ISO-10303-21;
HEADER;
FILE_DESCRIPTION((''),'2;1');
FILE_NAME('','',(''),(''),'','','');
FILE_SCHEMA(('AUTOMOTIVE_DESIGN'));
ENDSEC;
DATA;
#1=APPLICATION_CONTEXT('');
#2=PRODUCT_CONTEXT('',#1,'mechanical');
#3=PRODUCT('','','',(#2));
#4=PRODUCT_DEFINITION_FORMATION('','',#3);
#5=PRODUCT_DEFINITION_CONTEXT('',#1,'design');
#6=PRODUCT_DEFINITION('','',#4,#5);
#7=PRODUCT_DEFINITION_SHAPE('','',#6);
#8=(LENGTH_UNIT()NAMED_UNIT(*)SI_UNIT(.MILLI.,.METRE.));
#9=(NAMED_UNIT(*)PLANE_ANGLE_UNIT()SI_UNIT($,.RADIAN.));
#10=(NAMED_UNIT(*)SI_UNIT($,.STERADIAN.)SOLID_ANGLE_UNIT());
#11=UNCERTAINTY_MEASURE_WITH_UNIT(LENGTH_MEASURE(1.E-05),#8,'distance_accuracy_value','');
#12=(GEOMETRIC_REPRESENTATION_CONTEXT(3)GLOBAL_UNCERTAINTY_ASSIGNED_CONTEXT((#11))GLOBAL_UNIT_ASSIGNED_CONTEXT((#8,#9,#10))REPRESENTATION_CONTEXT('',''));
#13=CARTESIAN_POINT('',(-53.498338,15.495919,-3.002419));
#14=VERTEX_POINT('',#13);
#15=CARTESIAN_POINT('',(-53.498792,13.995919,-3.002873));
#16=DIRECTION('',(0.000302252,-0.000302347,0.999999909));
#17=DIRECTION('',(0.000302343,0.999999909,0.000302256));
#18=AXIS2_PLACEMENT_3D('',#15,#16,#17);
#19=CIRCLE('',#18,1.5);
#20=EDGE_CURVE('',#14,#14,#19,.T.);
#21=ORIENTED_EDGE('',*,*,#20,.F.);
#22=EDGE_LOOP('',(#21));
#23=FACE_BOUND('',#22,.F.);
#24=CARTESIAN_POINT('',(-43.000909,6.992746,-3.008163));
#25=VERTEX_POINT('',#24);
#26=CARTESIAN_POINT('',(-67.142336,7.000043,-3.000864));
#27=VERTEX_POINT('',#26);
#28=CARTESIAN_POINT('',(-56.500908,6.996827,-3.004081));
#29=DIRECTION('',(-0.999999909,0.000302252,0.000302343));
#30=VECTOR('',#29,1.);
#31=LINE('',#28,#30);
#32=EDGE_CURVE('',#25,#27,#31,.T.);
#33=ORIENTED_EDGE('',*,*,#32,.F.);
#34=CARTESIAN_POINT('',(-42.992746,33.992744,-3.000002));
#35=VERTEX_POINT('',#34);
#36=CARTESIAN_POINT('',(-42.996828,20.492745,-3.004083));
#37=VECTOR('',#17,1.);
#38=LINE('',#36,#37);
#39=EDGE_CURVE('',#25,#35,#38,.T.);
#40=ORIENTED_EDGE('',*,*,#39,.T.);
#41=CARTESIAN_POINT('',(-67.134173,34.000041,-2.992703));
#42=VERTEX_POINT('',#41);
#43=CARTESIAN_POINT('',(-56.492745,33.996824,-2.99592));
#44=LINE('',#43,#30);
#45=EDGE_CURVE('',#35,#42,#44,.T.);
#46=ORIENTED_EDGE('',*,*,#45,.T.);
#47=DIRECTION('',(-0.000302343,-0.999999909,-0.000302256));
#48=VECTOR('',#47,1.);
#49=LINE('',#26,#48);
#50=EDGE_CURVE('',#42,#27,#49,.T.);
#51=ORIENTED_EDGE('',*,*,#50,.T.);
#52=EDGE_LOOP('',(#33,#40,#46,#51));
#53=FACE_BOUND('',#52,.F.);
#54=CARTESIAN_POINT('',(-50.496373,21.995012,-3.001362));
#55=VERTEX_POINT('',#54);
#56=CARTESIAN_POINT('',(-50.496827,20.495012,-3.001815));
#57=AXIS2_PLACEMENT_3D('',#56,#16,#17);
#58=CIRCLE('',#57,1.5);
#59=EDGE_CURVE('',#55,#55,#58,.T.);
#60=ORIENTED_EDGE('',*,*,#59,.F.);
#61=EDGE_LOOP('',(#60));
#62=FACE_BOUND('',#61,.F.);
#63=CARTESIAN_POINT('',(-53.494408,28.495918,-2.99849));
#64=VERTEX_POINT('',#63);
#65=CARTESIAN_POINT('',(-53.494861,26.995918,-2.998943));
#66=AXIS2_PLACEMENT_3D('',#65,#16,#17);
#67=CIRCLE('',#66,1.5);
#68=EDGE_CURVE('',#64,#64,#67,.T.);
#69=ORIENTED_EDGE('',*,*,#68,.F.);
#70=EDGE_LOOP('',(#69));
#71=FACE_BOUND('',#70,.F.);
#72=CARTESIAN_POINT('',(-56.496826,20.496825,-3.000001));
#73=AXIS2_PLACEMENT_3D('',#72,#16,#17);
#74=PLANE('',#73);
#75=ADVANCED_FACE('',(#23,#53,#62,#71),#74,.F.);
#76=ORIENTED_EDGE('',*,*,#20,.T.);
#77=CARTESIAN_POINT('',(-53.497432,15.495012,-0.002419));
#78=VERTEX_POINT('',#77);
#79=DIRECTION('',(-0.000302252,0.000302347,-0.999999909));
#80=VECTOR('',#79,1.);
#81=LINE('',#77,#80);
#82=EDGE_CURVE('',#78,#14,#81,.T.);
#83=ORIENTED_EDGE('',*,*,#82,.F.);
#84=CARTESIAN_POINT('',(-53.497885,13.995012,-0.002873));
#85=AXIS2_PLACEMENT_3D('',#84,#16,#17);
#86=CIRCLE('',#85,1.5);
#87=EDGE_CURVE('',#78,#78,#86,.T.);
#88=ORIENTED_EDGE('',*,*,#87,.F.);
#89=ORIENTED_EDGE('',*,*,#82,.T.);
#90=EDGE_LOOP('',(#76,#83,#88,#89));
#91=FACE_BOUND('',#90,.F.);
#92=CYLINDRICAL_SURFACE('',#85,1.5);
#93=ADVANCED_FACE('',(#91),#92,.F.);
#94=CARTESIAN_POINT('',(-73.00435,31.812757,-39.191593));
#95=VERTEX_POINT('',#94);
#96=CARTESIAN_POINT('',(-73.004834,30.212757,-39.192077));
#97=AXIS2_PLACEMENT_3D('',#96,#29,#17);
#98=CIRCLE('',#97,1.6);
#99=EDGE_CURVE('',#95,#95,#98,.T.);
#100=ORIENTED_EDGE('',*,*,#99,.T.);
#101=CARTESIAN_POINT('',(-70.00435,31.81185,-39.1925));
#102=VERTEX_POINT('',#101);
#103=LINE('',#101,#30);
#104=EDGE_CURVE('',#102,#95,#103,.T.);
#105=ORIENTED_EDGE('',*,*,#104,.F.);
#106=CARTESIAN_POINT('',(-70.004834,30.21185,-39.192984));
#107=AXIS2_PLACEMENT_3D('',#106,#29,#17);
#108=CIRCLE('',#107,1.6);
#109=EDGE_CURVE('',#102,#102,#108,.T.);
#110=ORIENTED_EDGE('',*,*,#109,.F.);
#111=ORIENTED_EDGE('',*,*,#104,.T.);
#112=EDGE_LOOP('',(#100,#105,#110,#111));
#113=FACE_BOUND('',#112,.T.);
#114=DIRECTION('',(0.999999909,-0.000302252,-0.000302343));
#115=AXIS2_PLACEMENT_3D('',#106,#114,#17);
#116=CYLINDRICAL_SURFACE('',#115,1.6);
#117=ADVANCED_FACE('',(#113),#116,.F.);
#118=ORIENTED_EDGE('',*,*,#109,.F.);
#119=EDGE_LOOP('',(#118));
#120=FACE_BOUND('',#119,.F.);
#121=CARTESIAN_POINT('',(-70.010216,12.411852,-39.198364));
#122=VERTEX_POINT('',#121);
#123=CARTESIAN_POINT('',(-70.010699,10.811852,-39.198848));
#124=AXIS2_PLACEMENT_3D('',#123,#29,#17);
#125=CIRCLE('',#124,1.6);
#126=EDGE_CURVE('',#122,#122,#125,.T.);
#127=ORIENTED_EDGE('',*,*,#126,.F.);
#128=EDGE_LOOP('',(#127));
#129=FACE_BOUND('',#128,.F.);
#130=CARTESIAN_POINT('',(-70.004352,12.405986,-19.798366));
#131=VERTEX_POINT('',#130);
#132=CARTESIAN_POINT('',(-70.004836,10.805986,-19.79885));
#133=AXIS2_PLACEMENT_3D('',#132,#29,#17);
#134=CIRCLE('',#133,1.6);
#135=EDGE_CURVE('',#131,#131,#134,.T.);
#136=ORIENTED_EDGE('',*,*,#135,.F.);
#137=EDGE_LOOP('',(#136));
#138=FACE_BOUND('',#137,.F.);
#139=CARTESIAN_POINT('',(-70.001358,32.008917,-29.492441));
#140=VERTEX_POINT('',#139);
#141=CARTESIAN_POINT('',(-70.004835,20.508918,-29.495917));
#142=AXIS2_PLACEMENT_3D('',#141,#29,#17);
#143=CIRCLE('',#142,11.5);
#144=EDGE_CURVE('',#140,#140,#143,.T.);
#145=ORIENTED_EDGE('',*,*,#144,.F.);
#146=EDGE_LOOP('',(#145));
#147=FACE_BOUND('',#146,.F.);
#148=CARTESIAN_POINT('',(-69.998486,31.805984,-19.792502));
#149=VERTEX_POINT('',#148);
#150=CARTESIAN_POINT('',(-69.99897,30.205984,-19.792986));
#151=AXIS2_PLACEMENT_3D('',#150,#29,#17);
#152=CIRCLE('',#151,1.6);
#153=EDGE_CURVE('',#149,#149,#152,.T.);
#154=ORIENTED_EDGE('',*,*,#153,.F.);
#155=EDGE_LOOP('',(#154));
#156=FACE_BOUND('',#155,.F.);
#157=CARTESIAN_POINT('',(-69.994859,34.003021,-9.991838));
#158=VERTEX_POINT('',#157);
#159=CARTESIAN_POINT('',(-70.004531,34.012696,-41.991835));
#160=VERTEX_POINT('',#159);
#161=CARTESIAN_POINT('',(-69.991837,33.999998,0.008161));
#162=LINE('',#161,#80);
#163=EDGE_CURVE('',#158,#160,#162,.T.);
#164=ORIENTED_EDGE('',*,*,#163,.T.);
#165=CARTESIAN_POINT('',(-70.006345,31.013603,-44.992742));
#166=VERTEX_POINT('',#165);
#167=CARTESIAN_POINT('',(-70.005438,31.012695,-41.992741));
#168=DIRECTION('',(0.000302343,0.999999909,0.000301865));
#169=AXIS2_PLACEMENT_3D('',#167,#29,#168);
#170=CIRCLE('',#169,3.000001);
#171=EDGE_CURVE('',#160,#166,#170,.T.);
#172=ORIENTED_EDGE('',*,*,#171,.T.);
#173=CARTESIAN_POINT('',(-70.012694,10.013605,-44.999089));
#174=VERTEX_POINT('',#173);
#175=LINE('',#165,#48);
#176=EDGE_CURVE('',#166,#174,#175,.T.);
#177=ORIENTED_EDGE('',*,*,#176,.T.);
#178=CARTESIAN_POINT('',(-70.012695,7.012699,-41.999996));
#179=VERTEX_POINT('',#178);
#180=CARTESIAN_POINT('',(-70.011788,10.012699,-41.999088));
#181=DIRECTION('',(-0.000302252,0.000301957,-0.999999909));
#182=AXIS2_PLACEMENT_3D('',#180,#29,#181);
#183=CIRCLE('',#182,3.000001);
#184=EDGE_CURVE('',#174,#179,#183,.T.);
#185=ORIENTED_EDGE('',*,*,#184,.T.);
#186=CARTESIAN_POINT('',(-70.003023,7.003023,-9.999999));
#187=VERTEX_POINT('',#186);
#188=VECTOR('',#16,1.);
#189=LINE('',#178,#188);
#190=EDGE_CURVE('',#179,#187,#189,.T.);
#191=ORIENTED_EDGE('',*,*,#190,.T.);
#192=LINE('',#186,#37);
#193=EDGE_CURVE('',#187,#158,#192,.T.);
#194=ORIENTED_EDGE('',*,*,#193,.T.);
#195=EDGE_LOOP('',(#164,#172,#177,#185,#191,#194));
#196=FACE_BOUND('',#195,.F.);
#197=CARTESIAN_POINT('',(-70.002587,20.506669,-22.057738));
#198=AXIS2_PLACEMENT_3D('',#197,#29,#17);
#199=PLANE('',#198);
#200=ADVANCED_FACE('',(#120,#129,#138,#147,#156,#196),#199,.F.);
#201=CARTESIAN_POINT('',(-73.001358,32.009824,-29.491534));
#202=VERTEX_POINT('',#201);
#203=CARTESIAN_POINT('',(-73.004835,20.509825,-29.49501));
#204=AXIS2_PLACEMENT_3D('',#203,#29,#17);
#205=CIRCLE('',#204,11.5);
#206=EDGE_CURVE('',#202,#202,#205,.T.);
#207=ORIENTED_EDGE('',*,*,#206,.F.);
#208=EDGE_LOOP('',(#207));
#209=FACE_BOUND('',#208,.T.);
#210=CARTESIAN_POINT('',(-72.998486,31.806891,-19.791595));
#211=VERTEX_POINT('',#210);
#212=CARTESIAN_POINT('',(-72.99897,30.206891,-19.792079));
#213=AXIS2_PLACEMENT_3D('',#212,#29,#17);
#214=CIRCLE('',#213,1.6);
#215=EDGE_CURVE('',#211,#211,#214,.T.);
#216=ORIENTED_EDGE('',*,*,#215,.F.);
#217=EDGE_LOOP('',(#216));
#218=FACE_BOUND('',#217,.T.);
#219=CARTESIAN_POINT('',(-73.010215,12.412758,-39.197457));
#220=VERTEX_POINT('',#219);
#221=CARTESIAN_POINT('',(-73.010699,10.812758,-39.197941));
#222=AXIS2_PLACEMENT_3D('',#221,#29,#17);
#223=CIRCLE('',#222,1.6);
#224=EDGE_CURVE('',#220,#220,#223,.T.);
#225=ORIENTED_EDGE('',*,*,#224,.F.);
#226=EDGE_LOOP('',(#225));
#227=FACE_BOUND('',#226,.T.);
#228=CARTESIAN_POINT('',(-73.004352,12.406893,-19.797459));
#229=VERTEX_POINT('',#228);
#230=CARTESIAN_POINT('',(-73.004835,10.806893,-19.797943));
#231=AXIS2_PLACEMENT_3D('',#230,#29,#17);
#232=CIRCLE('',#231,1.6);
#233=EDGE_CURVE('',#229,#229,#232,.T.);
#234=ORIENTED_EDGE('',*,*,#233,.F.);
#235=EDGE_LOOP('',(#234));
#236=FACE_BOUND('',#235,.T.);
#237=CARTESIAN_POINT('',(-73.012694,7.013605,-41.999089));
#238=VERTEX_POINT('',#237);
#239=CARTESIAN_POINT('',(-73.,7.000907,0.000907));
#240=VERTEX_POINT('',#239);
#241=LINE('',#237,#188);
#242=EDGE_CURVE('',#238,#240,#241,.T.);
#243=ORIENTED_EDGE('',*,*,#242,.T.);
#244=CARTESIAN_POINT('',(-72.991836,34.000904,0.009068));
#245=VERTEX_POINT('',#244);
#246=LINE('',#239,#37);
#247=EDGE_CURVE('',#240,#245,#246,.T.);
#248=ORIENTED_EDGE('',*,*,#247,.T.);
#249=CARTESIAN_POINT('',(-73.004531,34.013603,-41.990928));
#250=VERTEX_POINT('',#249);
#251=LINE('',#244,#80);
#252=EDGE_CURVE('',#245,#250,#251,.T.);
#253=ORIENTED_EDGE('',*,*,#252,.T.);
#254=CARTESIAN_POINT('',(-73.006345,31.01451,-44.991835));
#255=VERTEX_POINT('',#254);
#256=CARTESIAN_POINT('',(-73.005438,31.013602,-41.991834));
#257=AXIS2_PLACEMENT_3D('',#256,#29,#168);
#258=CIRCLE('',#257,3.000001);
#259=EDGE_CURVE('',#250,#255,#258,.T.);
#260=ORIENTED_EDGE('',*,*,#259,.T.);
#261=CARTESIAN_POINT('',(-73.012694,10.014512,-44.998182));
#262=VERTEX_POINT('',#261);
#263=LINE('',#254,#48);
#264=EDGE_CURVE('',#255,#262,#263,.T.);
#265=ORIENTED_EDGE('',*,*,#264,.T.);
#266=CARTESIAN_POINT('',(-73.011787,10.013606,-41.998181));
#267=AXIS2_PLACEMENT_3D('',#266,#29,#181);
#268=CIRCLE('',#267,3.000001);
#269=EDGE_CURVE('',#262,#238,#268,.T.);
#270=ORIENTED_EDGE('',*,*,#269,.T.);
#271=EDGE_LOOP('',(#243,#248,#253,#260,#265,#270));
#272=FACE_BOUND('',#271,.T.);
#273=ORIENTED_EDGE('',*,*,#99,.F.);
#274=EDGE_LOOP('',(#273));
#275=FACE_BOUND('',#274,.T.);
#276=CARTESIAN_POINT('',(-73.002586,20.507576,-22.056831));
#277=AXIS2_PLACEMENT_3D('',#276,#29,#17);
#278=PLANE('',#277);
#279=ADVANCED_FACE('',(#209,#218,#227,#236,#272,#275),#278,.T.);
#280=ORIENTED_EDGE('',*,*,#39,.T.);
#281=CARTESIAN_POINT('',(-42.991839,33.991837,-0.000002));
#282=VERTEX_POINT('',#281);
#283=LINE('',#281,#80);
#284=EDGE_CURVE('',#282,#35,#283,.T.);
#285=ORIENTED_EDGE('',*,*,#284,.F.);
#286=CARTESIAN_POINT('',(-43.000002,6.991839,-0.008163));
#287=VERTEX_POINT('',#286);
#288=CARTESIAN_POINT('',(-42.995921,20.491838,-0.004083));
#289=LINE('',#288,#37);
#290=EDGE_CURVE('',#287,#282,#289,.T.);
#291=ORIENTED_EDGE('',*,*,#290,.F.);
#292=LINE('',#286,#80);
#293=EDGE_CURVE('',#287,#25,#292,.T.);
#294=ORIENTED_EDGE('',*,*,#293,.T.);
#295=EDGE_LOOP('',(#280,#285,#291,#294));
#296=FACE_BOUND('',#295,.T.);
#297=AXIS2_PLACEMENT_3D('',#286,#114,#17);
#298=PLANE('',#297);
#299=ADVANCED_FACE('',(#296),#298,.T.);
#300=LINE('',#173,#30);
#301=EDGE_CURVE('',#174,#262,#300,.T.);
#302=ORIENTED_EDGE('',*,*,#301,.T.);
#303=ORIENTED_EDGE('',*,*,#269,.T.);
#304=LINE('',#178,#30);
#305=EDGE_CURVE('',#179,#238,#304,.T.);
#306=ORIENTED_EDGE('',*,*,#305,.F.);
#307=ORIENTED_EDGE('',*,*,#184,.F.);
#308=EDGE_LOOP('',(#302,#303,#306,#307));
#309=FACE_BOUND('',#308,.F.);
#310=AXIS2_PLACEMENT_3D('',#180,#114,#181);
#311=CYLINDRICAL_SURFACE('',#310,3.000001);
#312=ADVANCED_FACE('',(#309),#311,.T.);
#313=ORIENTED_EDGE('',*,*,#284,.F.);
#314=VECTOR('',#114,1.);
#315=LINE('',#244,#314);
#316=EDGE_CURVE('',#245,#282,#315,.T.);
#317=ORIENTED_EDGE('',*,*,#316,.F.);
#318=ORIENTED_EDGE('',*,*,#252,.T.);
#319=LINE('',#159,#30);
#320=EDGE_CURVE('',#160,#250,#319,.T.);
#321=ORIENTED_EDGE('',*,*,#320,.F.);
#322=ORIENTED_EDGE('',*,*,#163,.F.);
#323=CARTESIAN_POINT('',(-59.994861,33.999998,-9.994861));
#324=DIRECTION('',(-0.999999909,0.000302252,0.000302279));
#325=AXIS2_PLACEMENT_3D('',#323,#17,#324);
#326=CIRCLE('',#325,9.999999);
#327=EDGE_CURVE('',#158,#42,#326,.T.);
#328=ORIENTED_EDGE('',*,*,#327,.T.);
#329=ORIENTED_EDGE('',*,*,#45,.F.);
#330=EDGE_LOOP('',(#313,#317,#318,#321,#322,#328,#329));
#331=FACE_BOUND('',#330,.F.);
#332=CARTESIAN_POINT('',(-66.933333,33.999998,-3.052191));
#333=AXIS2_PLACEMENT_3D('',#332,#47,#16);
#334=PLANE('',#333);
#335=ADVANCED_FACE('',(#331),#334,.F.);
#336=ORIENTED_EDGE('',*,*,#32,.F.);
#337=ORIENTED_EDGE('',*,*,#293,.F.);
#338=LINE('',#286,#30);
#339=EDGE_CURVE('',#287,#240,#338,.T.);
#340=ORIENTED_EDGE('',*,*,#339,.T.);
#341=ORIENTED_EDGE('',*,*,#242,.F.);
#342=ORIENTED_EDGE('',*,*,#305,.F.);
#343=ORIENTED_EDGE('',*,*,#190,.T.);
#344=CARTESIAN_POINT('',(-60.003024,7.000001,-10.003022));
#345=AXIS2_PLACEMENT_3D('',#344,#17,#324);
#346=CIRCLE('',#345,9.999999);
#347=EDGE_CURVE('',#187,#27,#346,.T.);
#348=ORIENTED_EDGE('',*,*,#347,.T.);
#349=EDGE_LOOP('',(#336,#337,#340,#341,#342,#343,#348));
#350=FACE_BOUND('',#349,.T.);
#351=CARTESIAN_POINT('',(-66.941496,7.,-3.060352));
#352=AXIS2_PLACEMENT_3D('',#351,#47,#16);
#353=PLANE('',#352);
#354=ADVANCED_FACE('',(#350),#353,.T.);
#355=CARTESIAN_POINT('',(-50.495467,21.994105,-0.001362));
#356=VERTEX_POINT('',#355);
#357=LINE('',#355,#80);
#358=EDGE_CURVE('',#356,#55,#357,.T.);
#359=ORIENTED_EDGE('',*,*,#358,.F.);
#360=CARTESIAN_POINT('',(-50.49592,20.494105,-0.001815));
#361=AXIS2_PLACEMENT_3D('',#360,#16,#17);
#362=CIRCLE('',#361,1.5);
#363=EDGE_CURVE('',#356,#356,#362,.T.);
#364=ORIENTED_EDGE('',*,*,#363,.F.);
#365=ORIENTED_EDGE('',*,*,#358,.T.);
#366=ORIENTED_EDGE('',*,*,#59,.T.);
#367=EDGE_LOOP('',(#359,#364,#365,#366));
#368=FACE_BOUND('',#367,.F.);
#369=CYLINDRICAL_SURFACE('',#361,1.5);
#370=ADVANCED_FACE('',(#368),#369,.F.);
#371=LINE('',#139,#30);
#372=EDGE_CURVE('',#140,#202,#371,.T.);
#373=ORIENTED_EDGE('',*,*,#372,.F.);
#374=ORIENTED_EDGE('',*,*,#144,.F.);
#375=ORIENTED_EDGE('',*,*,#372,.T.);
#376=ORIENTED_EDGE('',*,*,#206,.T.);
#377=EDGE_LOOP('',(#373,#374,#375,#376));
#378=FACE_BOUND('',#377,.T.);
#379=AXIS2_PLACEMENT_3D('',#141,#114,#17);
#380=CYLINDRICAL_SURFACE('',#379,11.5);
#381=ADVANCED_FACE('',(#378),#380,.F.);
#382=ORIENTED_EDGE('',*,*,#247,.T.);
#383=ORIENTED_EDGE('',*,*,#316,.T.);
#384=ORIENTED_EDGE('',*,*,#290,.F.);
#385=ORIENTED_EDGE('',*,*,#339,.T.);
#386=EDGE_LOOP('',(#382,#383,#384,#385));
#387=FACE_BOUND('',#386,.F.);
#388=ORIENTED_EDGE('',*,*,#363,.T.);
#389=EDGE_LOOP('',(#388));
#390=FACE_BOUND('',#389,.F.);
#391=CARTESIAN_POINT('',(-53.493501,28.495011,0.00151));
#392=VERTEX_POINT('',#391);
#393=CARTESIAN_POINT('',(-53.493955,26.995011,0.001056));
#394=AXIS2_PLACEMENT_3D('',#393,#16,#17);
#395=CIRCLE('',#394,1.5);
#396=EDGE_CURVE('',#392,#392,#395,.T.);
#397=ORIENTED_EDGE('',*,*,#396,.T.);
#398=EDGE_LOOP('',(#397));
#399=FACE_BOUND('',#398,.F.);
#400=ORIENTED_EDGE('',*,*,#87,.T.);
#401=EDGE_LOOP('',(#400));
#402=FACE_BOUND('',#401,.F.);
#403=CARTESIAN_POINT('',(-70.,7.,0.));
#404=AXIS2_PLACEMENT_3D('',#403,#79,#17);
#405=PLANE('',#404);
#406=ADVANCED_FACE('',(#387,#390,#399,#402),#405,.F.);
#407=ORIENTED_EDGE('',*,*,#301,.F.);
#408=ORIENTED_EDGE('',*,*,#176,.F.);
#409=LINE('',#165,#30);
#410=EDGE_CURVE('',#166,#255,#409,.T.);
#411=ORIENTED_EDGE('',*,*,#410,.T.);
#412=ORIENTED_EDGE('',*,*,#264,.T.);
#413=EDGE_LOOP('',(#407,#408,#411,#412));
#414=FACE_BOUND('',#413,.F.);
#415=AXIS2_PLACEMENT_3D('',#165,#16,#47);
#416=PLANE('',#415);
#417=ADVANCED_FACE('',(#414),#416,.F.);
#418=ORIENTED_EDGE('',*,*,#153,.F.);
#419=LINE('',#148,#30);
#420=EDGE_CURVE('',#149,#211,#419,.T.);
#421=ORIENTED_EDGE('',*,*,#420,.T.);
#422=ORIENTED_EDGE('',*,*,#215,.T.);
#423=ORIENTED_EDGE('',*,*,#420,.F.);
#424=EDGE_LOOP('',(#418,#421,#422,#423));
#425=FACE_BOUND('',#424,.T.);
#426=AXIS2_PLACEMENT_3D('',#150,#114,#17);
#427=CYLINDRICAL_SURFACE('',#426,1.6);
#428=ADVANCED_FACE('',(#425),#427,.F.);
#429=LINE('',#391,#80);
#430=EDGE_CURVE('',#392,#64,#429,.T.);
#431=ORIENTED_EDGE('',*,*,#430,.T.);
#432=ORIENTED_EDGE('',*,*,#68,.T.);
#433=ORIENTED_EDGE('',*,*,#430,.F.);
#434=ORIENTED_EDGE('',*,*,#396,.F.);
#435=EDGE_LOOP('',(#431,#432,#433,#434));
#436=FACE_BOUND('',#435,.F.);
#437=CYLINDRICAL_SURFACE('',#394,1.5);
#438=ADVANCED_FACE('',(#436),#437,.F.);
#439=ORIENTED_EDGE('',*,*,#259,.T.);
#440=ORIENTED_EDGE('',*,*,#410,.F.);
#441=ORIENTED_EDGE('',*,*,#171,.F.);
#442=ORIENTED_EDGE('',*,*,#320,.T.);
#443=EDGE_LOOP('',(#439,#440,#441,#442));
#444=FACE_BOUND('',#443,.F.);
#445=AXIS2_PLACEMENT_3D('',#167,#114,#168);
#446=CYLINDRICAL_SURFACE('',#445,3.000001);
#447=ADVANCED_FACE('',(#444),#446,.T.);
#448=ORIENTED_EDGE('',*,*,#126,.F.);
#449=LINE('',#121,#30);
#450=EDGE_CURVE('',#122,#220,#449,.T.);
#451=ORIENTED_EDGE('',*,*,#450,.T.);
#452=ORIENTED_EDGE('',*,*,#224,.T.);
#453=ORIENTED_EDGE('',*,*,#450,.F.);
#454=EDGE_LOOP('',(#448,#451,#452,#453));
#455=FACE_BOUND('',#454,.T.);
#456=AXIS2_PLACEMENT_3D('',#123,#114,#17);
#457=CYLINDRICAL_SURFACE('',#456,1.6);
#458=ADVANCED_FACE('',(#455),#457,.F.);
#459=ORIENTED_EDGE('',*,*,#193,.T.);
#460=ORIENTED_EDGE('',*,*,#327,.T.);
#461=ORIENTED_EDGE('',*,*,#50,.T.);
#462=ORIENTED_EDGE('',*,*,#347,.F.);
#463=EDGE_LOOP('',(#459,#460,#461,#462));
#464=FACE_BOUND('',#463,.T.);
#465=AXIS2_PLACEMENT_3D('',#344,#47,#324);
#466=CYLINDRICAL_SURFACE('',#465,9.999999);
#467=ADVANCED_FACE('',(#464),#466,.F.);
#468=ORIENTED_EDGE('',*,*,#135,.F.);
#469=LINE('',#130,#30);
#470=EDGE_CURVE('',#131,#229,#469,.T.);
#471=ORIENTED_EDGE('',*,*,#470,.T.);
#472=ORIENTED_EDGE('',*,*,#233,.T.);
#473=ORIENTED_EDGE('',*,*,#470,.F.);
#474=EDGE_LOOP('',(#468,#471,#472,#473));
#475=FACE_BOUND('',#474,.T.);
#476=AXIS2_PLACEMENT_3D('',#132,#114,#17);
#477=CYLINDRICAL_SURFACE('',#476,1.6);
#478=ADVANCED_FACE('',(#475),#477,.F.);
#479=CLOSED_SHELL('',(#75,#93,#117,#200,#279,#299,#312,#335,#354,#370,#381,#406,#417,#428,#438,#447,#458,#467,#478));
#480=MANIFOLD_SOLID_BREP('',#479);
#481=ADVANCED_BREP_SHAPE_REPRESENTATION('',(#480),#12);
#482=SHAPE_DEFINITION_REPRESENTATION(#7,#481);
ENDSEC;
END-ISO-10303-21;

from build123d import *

# Parameters (mm, degrees)
SKETCH103_W             = 27
SKETCH103_H             = 27
SKETCH103_R             = 1.5
PAD047_DEPTH            = 3
SKETCH102_R             = 11.5
SKETCH102_R_2           = 1.6
PAD048_DEPTH            = 3
PAD049_DEPTH            = 27
BODY011_ROLL_ANGLE      = -89.982677
BODY011_PITCH_ANGLE     = -0.017318
BODY011_PLACEMENT_ANGLE = 89.982677


with BuildPart() as part:
    # Sketch103 → Pad047 (new body)
    with BuildSketch(Plane.XZ):
        with Locations((13.5, -13.5)):
            Rectangle(SKETCH103_W, SKETCH103_H)
        with Locations((7, -16.5)):
            Circle(SKETCH103_R, mode=Mode.SUBTRACT)
        with Locations((13.5, -19.5)):
            Circle(SKETCH103_R, mode=Mode.SUBTRACT)
        with Locations((20, -16.5)):
            Circle(SKETCH103_R, mode=Mode.SUBTRACT)
    extrude(amount=-PAD047_DEPTH)

    # Sketch102 → Pad048 (join)
    with BuildSketch(Plane.XY):
        with BuildLine():
            Line((0, 42), (0, 0))
            Line((0, 0), (27, 0))
            Line((27, 0), (27, 42))
            ThreePointArc((27, 42), (26.12132, 44.12132), (24, 45))
            Line((24, 45), (3, 45))
            ThreePointArc((3, 45), (0.87868, 44.12132), (0, 42))
        make_face()
        with Locations((13.5, 29.5)):
            Circle(SKETCH102_R, mode=Mode.SUBTRACT)
        with Locations((3.8, 39.2)):
            Circle(SKETCH102_R_2, mode=Mode.SUBTRACT)
        with Locations((23.2, 39.2)):
            Circle(SKETCH102_R_2, mode=Mode.SUBTRACT)
        with Locations((23.2, 19.8)):
            Circle(SKETCH102_R_2, mode=Mode.SUBTRACT)
        with Locations((3.8, 19.8)):
            Circle(SKETCH102_R_2, mode=Mode.SUBTRACT)
    extrude(amount=PAD048_DEPTH)

    # Sketch104 → Pad049 (join)
    with BuildSketch(Plane.YZ):
        with BuildLine():
            ThreePointArc((10, 0), (2.928931, -2.928933), (0, -10.000003))
            Line((0, -10.000003), (0, 0))
            Line((10, 0), (0, 0))
        make_face()
    extrude(amount=PAD049_DEPTH)


with BuildPart() as part_1:
    # Body011 roll: moved
    add(part.part.rotate(Axis((0, 0, 0), (1, 0, 0)), BODY011_ROLL_ANGLE))


with BuildPart() as part_2:
    # Body011 pitch: moved
    add(part_1.part.rotate(Axis((0, 0, 0), (0, 1, 0)), BODY011_PITCH_ANGLE))


with BuildPart() as part_3:
    # Body011 placement: moved
    add(part_2.part.moved(Location((-70, 7, 0))).rotate(Axis((-70, 7, 0), (0, 0, 1)), BODY011_PLACEMENT_ANGLE))


solid = part_3.part
